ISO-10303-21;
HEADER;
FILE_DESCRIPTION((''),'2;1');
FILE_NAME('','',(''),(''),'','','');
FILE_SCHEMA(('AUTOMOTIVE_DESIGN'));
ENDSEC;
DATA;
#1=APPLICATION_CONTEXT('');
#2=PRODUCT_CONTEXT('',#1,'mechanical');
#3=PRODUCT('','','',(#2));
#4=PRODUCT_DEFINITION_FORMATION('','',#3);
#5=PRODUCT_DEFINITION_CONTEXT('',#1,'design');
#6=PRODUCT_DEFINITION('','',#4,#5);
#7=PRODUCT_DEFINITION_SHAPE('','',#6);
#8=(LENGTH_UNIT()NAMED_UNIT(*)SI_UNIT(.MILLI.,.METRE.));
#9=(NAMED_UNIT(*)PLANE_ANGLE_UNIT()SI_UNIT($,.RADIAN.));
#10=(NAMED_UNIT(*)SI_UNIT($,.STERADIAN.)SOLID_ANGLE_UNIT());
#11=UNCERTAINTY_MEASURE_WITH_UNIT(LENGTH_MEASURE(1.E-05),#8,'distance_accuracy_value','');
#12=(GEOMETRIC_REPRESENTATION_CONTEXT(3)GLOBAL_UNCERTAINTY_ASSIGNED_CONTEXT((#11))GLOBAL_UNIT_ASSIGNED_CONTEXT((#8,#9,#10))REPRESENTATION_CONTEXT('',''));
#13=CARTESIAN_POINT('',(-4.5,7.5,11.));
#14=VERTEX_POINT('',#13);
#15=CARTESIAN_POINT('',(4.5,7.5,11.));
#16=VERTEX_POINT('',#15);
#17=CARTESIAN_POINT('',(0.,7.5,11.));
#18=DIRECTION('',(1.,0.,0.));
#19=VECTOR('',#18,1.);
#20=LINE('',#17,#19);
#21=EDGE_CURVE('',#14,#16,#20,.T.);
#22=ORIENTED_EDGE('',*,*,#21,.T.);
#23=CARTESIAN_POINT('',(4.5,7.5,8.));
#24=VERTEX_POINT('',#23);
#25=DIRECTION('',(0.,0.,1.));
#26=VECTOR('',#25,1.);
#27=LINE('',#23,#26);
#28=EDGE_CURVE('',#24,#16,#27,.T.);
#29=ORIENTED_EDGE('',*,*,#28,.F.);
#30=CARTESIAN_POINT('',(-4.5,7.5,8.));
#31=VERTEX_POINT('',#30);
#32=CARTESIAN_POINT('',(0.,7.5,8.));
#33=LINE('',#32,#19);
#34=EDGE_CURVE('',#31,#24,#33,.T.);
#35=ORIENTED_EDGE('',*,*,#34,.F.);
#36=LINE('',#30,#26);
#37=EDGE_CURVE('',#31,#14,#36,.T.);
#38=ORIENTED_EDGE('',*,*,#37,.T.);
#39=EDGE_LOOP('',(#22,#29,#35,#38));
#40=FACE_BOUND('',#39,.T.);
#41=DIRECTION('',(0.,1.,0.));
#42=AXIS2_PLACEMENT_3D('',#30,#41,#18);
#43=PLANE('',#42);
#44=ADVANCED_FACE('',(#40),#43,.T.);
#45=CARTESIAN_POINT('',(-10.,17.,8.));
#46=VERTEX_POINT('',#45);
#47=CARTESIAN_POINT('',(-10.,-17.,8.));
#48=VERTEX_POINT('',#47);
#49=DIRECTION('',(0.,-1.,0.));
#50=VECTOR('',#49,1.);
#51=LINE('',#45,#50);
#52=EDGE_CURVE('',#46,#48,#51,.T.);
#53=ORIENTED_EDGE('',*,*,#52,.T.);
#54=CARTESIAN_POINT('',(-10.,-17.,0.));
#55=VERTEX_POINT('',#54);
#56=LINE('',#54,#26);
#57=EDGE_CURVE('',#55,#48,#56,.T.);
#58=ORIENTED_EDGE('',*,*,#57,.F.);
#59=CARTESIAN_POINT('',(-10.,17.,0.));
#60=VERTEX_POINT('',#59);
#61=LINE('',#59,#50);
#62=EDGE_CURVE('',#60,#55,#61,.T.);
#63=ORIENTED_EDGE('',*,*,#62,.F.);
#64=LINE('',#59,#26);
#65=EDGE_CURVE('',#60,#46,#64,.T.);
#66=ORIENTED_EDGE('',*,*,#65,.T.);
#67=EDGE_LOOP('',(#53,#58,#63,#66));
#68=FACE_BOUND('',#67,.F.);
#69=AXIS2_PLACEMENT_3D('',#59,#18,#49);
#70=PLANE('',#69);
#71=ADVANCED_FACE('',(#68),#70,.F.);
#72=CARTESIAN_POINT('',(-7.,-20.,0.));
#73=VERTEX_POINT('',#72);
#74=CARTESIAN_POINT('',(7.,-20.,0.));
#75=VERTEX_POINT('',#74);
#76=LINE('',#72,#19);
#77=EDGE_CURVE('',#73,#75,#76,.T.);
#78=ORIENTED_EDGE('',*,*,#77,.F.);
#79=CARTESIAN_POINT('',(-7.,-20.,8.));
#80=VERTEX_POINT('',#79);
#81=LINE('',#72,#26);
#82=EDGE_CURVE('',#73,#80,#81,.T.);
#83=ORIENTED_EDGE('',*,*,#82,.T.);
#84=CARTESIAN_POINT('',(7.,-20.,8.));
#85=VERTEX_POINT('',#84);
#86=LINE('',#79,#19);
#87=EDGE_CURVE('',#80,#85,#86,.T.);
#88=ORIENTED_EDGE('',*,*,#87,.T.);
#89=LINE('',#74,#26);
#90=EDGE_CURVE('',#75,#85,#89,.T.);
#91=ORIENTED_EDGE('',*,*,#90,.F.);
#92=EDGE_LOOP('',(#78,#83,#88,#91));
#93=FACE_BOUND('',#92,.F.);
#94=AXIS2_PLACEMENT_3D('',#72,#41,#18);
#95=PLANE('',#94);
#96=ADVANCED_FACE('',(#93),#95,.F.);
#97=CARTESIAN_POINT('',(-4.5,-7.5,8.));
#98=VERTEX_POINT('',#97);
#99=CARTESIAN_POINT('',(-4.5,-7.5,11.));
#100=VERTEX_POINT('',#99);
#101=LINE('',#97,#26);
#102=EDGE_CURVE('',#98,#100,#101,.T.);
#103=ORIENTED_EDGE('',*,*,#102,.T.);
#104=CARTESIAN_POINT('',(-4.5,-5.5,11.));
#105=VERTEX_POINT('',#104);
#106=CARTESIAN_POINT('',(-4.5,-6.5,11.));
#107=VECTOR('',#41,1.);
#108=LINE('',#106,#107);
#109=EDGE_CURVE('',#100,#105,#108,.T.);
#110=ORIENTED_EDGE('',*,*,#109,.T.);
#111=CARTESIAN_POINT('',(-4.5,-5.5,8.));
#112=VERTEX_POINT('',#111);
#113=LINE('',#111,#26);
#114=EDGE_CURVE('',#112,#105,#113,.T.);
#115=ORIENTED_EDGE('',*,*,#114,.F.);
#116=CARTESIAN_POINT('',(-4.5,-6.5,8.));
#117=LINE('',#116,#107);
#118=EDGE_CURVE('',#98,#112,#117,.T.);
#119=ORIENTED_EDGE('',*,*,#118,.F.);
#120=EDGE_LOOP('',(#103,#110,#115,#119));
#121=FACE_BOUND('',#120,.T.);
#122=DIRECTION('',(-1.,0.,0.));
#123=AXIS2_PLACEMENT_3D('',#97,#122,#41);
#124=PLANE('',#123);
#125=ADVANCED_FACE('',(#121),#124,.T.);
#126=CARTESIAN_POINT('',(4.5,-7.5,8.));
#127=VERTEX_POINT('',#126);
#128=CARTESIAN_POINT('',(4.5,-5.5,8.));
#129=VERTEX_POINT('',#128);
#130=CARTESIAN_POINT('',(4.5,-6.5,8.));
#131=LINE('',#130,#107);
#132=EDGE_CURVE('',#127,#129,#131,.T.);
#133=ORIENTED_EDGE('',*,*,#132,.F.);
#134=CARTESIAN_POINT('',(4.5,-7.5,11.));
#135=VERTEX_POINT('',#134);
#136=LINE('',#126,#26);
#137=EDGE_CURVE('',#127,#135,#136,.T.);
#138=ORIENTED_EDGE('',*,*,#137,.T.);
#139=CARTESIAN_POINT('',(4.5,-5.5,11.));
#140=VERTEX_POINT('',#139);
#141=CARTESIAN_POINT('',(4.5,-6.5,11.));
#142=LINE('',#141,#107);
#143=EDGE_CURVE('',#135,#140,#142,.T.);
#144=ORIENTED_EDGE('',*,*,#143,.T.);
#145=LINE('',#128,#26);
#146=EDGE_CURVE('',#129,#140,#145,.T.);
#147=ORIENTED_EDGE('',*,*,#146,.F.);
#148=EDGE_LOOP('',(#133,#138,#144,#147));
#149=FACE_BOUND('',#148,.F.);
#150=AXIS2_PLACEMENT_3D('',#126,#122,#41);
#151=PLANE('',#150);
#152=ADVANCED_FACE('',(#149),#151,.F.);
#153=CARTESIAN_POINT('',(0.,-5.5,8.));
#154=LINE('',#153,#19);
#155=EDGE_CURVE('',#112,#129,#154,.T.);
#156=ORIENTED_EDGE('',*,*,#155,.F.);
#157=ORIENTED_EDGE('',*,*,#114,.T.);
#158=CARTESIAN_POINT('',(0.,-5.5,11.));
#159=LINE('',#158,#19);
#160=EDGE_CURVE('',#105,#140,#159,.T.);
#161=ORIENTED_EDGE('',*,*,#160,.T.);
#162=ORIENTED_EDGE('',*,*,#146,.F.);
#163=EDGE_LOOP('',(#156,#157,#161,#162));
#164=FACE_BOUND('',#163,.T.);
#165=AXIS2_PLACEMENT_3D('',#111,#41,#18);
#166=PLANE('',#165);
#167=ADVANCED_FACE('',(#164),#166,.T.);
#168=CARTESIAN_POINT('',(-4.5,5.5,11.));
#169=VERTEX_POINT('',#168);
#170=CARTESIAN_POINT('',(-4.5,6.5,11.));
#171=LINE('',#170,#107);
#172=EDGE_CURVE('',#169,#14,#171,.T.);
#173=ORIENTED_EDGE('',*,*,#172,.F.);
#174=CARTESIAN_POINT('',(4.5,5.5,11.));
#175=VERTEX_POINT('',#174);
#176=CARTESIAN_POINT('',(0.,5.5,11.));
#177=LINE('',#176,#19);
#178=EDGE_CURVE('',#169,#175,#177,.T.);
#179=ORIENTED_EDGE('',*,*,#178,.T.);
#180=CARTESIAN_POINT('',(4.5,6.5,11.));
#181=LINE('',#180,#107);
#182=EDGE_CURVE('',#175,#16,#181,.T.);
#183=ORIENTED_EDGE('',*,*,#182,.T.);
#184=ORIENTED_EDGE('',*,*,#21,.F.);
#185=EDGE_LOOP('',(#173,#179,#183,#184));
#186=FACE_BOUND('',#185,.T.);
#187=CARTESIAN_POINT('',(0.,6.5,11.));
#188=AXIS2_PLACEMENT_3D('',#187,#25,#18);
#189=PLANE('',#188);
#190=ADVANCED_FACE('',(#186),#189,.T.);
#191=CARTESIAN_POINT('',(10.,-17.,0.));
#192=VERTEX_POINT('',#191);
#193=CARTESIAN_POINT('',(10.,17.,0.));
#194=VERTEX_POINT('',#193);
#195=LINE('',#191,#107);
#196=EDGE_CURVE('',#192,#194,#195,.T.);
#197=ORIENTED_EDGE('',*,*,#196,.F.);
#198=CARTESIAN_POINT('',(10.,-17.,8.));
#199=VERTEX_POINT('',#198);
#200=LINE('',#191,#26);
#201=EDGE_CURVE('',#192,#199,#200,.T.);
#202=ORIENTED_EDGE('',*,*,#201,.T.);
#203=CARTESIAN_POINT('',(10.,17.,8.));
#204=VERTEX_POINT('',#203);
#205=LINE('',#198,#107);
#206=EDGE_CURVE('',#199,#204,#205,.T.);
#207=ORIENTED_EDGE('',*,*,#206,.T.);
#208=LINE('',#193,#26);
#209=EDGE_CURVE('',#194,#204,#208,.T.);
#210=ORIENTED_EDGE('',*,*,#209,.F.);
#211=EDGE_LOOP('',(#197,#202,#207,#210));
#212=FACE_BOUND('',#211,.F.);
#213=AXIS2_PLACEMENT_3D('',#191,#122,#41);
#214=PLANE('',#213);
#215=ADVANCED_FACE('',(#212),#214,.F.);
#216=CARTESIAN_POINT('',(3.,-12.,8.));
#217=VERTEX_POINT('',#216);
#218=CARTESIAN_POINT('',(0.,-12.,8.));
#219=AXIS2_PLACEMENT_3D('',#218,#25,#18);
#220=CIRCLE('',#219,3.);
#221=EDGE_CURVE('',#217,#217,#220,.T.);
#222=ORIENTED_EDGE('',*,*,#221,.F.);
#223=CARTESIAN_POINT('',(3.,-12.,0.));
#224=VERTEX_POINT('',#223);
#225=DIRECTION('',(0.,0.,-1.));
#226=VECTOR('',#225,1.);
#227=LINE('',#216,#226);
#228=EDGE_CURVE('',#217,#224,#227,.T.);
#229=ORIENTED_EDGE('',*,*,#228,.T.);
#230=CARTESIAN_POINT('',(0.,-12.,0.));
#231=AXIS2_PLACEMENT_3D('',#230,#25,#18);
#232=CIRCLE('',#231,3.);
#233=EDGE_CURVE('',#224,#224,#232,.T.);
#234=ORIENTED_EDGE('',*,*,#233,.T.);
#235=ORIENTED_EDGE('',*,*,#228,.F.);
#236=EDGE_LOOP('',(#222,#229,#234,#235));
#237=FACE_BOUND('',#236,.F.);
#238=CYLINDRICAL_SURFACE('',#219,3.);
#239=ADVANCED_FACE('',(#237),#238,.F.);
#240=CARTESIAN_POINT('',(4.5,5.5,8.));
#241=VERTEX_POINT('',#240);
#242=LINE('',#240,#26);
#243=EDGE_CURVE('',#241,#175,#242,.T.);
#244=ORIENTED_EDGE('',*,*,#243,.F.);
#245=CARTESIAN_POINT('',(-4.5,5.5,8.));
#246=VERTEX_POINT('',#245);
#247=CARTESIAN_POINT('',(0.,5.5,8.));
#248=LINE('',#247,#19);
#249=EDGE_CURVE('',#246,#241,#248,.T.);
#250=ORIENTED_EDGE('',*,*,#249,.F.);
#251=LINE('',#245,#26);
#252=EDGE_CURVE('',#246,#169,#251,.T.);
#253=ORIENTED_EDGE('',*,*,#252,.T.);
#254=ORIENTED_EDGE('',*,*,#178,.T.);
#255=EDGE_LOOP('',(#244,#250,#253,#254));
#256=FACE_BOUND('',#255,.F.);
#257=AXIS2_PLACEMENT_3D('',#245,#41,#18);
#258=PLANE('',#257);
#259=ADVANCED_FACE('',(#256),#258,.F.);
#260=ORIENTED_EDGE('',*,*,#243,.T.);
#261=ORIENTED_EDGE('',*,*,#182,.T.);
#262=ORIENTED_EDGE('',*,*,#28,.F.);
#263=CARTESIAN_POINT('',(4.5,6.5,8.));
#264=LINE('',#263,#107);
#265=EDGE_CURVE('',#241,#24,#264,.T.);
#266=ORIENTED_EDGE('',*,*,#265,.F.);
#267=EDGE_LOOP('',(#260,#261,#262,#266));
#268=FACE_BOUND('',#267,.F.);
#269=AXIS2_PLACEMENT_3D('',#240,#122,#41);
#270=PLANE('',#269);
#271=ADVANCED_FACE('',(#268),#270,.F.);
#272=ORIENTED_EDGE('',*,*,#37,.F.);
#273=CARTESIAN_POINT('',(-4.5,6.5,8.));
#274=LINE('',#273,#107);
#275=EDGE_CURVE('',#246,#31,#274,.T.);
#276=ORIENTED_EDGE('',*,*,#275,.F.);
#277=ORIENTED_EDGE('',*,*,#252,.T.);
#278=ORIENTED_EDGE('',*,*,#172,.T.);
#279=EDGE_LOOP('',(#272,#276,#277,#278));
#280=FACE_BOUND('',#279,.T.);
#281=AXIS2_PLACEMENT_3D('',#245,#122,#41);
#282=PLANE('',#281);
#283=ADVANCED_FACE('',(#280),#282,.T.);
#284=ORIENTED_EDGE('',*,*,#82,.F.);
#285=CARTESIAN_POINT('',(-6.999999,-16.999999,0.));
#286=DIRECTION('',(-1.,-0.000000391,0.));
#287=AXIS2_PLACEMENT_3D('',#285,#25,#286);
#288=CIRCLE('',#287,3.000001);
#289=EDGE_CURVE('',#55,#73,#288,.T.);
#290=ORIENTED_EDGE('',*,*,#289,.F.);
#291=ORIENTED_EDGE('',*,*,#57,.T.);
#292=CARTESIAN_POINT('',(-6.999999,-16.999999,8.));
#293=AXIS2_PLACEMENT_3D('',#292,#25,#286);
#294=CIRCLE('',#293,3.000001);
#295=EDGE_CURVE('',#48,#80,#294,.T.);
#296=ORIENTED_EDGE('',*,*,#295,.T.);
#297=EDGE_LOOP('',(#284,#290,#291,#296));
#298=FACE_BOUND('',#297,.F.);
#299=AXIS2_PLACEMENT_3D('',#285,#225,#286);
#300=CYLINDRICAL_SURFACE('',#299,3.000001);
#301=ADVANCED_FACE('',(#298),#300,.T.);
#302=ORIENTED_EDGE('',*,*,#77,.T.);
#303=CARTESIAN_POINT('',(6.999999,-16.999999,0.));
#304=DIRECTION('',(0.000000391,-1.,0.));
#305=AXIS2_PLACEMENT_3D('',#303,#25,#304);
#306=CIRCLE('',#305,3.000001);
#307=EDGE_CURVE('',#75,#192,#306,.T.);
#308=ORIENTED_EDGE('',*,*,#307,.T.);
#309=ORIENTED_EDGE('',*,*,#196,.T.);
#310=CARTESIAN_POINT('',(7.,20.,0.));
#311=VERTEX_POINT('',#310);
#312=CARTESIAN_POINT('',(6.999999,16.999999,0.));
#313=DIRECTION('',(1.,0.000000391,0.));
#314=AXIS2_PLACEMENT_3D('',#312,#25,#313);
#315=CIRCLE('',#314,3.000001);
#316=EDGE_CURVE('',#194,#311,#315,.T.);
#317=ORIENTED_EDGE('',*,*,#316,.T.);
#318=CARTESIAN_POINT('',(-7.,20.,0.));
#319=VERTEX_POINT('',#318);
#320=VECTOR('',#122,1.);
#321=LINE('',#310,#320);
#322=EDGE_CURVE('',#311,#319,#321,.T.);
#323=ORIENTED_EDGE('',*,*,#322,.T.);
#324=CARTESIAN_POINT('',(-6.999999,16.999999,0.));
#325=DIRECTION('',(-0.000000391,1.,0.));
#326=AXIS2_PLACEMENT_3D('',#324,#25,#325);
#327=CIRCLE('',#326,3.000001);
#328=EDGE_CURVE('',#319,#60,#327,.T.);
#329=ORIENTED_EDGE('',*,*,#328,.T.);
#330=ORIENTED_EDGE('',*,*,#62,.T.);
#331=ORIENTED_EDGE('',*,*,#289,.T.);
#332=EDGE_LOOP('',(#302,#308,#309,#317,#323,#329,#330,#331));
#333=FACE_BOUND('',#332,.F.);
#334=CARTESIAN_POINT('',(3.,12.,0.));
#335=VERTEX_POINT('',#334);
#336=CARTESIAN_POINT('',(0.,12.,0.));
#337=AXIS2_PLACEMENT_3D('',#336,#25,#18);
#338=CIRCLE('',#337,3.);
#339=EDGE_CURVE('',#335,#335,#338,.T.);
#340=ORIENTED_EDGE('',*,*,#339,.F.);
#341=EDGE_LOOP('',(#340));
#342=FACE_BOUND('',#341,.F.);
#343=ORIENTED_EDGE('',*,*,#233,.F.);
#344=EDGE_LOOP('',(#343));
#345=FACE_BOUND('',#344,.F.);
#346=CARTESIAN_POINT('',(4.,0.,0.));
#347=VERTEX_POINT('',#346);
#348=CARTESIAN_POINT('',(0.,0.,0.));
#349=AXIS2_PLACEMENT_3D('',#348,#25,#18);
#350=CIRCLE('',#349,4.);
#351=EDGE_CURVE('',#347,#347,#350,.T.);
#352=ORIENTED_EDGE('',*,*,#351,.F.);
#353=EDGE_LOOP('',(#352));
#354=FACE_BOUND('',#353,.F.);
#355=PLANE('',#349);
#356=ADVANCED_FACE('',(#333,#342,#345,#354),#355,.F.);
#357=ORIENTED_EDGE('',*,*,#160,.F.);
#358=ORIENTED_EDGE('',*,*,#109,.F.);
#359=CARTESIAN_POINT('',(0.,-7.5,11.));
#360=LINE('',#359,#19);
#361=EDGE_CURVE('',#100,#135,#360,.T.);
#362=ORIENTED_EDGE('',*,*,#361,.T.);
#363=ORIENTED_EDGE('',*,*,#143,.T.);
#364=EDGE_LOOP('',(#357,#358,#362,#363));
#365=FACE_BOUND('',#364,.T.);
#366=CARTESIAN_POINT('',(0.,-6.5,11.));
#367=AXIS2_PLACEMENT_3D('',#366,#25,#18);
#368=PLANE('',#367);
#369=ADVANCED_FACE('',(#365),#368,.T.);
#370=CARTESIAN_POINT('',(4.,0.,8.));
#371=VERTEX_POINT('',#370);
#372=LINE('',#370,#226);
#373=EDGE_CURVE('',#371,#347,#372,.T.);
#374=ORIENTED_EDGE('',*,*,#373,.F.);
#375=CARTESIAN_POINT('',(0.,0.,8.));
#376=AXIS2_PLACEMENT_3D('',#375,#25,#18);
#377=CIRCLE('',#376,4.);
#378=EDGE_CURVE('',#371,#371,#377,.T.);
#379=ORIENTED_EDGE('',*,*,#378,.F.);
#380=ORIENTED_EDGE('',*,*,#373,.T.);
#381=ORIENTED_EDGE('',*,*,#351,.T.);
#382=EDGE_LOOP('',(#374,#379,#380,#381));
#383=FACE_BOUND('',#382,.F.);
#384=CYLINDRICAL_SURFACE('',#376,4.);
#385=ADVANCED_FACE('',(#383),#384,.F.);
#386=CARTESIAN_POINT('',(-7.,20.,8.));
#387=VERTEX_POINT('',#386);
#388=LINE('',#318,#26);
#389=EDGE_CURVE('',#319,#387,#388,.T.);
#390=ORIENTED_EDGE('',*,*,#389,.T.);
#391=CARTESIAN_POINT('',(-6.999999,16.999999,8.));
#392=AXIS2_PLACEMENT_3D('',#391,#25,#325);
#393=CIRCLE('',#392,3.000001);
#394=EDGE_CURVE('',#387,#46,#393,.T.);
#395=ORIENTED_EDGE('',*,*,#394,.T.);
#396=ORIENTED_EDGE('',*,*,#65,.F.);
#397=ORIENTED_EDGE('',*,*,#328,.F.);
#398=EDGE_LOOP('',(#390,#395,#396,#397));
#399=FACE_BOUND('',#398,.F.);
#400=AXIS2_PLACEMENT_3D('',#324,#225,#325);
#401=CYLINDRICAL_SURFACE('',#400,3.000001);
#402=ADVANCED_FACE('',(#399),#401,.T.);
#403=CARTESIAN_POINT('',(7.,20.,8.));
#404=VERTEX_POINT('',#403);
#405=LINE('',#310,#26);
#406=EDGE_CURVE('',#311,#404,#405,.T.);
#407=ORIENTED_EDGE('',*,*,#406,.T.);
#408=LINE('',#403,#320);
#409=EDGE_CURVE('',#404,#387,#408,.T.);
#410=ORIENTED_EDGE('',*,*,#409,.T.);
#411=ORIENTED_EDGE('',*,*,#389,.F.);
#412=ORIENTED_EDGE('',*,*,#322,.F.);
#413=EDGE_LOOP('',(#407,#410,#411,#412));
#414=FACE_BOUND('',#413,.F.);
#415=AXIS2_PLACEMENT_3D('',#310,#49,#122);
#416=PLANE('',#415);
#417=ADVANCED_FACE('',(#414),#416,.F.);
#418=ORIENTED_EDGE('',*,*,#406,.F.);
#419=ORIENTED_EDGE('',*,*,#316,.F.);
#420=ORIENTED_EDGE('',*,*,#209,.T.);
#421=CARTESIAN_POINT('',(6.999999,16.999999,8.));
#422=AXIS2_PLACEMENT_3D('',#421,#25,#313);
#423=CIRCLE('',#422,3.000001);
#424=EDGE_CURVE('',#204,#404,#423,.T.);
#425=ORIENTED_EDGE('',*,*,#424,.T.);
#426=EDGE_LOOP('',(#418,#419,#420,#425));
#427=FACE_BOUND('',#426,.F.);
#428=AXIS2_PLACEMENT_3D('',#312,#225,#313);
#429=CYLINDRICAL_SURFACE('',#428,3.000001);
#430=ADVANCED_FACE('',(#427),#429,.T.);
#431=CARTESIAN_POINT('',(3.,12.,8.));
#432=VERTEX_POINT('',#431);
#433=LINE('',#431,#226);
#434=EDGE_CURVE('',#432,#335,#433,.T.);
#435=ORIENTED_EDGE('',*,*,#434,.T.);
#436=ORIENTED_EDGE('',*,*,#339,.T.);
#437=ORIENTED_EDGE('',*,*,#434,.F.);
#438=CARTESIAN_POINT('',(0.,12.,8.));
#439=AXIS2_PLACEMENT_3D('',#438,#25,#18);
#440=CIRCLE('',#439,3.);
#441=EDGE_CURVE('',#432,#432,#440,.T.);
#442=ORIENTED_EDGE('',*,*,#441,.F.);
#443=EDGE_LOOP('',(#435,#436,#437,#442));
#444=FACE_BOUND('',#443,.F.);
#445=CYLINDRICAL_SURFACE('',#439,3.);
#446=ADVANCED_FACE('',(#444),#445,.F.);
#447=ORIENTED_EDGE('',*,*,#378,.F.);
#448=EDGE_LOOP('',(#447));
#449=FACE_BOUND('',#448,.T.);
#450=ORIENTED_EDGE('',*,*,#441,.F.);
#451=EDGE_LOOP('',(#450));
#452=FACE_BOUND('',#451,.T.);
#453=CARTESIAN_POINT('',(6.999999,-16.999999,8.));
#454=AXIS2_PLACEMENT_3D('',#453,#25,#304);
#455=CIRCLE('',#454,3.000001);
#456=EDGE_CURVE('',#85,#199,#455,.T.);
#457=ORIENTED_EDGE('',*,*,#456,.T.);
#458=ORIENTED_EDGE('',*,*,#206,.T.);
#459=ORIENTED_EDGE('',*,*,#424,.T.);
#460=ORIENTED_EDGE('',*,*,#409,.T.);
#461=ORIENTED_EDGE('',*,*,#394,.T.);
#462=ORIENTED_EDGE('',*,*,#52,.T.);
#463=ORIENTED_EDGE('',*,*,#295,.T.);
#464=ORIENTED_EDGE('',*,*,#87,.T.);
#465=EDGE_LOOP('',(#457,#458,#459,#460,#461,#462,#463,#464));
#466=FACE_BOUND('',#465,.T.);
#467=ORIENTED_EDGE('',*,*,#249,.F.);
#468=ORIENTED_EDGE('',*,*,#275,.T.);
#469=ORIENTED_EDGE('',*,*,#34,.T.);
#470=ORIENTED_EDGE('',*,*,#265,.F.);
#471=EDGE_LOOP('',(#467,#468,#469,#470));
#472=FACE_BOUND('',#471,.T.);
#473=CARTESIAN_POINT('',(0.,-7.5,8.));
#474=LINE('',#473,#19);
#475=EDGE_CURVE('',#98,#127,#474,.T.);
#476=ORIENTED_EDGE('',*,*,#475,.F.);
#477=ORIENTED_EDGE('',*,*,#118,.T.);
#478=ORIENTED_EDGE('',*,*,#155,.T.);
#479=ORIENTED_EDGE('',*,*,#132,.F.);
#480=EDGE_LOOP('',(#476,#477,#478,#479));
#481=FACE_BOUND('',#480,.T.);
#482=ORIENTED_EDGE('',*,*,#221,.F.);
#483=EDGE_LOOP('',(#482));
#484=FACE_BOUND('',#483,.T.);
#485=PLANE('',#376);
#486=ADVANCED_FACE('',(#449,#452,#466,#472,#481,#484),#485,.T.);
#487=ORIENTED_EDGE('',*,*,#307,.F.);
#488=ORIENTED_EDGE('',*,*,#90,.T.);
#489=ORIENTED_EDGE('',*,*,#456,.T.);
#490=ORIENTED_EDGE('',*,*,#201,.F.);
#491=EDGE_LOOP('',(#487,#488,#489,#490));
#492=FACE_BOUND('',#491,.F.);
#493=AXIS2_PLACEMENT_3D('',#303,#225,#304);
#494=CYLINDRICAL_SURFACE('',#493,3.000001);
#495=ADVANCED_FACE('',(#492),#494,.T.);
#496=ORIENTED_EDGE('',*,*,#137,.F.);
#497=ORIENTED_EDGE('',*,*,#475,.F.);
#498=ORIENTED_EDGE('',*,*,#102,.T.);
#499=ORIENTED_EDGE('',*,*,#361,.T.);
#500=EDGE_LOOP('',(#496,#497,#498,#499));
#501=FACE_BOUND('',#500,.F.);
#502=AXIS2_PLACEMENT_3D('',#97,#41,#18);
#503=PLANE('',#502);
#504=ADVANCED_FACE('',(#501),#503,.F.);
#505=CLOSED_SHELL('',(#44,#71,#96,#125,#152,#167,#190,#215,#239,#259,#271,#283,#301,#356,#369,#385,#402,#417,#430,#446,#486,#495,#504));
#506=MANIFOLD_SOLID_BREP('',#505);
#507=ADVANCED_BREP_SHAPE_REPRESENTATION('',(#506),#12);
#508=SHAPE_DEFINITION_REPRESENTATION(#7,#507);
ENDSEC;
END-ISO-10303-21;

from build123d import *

# Parameters (mm, degrees)
F1_DEPTH = 8
F2_R     = 3
F3_DEPTH = 8
F4_R     = 4
F5_DEPTH = 8
F6_W     = 9
F6_H     = 2
F7_DEPTH = 3


with BuildPart() as f1:
    # F0 (on Top) → F1 (new body)
    with BuildSketch(Plane.XY):
        with BuildLine():
            Line((7, 20), (-7, 20))
            ThreePointArc((-7, 20), (-9.12132, 19.12132), (-10, 17))
            Line((-10, 17), (-10, -17))
            ThreePointArc((-10, -17), (-9.12132, -19.12132), (-7, -20))
            Line((-7, -20), (7, -20))
            ThreePointArc((7, -20), (9.12132, -19.12132), (10, -17))
            Line((10, -17), (10, 17))
            ThreePointArc((10, 17), (9.12132, 19.12132), (7, 20))
        make_face()
    extrude(amount=F1_DEPTH)

    # F2 (on face) → F3 (cut, through all)
    with BuildSketch(Plane.XY.offset(8)):
        with Locations((0, 12)):
            Circle(F2_R)
        with Locations((0, -12)):
            Circle(F2_R)
    extrude(amount=-F3_DEPTH, mode=Mode.SUBTRACT)

    # F4 (on face) → F5 (cut, through all)
    with BuildSketch(Plane.XY.offset(8)):
        Circle(F4_R)
    extrude(amount=-F5_DEPTH, mode=Mode.SUBTRACT)

    # F6 (on face) → F7 (join)
    with BuildSketch(Plane.XY.offset(8)):
        with Locations((0, -6.5)):
            Rectangle(F6_W, F6_H)
        with Locations((0, 6.5)):
            Rectangle(F6_W, F6_H)
    extrude(amount=F7_DEPTH)


solid = f1.part
